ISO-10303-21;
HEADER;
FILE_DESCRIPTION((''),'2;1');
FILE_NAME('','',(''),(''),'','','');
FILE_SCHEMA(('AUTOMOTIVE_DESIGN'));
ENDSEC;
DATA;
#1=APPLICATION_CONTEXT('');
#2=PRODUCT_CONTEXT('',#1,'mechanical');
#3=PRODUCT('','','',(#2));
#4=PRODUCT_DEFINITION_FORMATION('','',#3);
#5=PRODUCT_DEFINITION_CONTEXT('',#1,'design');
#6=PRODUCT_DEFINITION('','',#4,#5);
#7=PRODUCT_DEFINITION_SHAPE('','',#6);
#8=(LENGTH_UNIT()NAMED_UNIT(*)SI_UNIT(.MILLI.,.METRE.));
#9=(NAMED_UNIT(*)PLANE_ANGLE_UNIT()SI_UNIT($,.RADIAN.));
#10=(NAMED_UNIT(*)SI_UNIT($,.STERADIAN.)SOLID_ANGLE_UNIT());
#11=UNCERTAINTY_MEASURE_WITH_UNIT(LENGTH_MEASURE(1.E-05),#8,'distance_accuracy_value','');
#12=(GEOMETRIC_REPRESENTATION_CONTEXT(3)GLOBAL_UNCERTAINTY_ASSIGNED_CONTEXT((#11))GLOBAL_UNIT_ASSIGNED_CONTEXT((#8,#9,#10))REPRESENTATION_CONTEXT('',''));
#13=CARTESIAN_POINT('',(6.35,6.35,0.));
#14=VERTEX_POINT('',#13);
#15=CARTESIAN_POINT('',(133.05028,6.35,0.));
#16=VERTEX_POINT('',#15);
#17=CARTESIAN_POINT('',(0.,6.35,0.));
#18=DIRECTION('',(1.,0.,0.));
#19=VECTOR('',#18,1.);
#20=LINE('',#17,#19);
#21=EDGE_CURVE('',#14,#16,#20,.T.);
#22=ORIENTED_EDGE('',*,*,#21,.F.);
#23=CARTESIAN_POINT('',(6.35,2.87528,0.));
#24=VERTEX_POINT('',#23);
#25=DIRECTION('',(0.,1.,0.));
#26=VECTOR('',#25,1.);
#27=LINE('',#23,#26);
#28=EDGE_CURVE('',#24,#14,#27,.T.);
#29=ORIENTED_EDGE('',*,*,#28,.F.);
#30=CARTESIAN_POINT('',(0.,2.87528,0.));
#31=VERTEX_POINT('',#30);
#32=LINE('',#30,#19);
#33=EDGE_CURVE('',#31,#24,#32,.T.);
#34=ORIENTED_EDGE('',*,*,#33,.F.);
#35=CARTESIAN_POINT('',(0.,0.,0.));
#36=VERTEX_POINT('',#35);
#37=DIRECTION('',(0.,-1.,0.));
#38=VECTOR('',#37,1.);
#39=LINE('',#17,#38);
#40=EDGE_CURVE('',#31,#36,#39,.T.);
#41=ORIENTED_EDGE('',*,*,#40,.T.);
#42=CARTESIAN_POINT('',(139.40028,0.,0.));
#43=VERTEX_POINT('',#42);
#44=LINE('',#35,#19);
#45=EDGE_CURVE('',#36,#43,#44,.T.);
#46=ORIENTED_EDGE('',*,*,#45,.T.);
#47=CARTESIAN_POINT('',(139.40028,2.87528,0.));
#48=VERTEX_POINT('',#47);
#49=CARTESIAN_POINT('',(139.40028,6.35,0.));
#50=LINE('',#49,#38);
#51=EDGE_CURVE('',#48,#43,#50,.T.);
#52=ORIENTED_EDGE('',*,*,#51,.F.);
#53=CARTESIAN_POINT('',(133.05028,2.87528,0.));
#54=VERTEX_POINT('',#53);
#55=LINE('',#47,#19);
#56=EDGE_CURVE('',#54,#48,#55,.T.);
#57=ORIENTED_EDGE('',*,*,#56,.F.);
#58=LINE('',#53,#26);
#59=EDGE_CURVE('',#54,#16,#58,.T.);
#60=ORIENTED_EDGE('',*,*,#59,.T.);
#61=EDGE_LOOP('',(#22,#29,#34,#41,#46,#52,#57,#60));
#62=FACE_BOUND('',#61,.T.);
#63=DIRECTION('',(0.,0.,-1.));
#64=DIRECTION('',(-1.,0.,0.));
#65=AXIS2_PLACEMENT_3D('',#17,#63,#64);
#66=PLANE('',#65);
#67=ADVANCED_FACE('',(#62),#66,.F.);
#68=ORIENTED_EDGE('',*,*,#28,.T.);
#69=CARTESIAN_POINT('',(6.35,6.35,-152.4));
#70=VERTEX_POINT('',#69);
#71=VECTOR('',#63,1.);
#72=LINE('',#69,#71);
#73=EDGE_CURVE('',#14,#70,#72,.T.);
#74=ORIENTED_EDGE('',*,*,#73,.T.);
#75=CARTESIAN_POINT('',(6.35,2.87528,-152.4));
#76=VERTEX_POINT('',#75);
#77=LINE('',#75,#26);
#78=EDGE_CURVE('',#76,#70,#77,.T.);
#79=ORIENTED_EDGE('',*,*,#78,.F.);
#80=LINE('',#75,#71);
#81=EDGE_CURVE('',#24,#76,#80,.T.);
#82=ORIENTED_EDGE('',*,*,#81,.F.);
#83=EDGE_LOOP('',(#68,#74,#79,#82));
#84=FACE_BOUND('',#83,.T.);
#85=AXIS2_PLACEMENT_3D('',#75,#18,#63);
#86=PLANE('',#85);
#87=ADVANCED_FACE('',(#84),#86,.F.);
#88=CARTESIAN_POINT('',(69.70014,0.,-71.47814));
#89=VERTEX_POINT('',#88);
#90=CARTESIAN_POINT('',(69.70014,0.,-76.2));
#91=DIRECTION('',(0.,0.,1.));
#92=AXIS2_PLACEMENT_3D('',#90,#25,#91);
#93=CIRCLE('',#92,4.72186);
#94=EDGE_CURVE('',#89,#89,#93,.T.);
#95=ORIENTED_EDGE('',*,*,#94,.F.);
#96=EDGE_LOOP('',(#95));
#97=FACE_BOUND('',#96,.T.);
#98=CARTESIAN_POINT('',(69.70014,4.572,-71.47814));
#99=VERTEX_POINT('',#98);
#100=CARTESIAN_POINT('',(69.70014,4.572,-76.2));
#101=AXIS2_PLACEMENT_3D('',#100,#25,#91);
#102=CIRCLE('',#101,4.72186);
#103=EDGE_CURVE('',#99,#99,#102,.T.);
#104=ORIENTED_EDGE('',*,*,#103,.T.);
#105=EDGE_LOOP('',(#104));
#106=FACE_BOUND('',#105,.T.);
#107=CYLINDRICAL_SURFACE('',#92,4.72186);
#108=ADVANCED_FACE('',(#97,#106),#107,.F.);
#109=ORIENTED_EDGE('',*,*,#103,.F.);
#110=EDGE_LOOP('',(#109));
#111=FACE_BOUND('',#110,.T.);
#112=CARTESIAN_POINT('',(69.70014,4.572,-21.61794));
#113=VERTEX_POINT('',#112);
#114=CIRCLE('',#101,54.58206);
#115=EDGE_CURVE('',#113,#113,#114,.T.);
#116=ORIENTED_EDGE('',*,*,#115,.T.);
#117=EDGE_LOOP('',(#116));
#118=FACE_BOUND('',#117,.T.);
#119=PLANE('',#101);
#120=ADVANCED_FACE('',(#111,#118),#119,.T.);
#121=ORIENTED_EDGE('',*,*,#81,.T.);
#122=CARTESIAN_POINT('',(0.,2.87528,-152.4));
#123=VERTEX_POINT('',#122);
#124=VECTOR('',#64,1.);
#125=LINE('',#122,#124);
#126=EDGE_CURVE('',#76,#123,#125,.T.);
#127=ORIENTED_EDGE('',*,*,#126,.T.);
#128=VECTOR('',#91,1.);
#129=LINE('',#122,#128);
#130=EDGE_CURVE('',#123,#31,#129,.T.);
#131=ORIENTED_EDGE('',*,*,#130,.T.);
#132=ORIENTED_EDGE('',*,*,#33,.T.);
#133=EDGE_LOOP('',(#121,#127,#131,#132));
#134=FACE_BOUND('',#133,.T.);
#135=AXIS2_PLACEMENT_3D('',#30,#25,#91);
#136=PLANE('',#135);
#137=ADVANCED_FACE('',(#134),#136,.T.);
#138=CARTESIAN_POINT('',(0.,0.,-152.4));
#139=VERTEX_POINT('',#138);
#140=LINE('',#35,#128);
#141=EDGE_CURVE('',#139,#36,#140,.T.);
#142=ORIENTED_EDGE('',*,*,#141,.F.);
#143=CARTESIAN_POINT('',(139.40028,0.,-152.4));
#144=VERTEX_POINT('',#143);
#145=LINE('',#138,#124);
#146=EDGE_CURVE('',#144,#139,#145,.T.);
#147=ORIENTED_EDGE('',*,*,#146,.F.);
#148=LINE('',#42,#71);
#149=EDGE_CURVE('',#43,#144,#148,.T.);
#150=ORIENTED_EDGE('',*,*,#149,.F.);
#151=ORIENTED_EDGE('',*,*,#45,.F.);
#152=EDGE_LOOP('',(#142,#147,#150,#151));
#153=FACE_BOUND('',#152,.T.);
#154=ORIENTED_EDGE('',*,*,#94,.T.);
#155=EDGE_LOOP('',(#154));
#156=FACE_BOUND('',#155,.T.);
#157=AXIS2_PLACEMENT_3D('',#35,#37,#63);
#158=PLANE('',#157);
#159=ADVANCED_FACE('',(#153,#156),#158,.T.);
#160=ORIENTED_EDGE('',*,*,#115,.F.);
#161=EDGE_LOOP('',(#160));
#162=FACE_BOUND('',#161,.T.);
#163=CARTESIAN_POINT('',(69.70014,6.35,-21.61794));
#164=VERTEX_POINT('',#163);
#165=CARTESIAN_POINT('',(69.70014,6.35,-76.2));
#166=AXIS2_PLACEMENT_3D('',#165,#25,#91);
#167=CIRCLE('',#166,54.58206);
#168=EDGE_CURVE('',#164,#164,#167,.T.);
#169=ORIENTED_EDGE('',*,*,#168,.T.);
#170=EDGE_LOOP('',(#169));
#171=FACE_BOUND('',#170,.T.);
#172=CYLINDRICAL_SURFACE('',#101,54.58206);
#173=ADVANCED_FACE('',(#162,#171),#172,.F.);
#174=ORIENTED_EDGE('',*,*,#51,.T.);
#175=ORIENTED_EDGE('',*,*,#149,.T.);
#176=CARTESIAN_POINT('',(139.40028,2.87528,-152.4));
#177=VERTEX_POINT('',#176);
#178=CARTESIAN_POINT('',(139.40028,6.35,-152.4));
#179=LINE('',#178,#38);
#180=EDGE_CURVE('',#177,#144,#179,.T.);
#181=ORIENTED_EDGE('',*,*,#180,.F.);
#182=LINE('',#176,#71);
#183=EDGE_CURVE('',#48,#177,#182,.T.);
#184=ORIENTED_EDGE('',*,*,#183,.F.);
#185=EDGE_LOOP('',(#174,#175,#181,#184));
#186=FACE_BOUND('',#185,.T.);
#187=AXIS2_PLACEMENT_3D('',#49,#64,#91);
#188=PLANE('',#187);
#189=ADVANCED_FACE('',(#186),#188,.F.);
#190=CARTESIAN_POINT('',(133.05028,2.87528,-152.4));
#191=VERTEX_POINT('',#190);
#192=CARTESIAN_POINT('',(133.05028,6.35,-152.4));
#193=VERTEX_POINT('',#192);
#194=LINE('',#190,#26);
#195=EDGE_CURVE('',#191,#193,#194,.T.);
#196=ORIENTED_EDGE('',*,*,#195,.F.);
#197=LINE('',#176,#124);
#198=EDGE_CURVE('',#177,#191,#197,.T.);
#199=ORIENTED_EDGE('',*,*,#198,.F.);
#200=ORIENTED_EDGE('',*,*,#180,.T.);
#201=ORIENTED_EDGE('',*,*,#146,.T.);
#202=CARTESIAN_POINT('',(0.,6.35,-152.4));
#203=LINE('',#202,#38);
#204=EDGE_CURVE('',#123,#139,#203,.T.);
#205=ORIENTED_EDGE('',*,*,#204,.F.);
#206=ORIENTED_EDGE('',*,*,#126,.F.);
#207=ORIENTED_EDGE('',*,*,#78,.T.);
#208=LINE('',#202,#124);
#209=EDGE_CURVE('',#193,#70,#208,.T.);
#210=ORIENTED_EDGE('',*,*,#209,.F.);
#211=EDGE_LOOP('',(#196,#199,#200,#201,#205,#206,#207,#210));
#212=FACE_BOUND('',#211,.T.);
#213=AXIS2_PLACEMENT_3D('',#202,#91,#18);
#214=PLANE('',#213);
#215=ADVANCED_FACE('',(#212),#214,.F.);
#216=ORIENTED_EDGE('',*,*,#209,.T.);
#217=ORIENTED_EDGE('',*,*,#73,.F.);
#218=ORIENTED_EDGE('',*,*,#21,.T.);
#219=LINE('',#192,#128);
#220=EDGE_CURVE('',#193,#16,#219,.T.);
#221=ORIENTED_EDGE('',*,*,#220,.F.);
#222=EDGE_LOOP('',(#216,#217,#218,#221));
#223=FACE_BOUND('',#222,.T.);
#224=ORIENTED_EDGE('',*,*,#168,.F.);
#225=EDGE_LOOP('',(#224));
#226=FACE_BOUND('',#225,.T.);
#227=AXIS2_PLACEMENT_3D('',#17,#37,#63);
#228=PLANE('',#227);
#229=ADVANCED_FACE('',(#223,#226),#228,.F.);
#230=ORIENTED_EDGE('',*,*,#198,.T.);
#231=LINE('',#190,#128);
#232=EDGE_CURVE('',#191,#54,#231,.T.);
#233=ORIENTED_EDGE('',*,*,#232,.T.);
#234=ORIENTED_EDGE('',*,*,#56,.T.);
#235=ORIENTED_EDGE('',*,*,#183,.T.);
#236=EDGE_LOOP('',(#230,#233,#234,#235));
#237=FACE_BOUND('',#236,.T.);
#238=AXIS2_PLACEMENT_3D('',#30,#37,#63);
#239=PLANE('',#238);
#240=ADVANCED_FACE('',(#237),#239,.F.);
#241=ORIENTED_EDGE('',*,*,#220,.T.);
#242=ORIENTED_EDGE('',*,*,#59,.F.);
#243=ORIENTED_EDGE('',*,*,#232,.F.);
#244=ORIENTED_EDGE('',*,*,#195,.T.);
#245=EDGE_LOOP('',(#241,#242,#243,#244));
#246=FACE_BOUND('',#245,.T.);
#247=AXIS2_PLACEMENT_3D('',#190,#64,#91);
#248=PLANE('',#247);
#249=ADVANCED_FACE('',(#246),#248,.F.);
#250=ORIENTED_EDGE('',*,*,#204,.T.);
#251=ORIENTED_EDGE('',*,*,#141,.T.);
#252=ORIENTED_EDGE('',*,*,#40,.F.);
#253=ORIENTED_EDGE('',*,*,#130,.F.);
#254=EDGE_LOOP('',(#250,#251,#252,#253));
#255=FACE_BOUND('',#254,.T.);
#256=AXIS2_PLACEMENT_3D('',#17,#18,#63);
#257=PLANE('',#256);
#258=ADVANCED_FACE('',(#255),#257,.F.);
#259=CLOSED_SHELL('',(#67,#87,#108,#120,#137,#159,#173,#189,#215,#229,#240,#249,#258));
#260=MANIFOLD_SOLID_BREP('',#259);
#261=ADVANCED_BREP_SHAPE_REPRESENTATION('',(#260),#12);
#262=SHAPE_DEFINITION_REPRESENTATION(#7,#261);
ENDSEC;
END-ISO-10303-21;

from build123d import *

# Parameters (mm, degrees)
SKETCH1_W           = 139.40028
SKETCH1_H           = 152.4
BOSS_EXTRUDE1_DEPTH = 6.35
SKETCH2_W           = 6.35
SKETCH2_H           = 152.4
CUT_EXTRUDE1_DEPTH  = 3.47472
SKETCH3_R           = 54.58206
CUT_EXTRUDE2_DEPTH  = 1.778
SKETCH4_R           = 4.72186
CUT_EXTRUDE3_DEPTH  = 5.572


with BuildPart() as part:
    # Sketch1 → Boss-Extrude1 (new body)
    with BuildSketch(Plane(origin=(0, 0, 0), x_dir=(1, 0, 0), z_dir=(0, 1, 0))):
        with Locations((69.70014, 76.2)):
            Rectangle(SKETCH1_W, SKETCH1_H)
    extrude(amount=BOSS_EXTRUDE1_DEPTH)

    # Sketch2 → Cut-Extrude1 (cut)
    with BuildSketch(Plane(origin=(0, 6.35, 0), x_dir=(1, 0, 0), z_dir=(0, 1, 0))):
        with Locations((3.175, 76.2)):
            Rectangle(SKETCH2_W, SKETCH2_H)
        with Locations((136.22528, 76.2)):
            Rectangle(SKETCH2_W, SKETCH2_H)
    extrude(amount=-CUT_EXTRUDE1_DEPTH, mode=Mode.SUBTRACT)

    # Sketch3 → Cut-Extrude2 (cut)
    with BuildSketch(Plane(origin=(0, 6.35, 0), x_dir=(1, 0, 0), z_dir=(0, 1, 0))):
        with Locations((69.70014, 76.2)):
            Circle(SKETCH3_R)
    extrude(amount=-CUT_EXTRUDE2_DEPTH, mode=Mode.SUBTRACT)

    # Sketch4 → Cut-Extrude3 (cut, through all)
    with BuildSketch(Plane(origin=(0, 4.572, 0), x_dir=(1, 0, 0), z_dir=(0, 1, 0))):
        with Locations((69.70014, 76.2)):
            Circle(SKETCH4_R)
    extrude(amount=-CUT_EXTRUDE3_DEPTH, mode=Mode.SUBTRACT)


solid = part.part
